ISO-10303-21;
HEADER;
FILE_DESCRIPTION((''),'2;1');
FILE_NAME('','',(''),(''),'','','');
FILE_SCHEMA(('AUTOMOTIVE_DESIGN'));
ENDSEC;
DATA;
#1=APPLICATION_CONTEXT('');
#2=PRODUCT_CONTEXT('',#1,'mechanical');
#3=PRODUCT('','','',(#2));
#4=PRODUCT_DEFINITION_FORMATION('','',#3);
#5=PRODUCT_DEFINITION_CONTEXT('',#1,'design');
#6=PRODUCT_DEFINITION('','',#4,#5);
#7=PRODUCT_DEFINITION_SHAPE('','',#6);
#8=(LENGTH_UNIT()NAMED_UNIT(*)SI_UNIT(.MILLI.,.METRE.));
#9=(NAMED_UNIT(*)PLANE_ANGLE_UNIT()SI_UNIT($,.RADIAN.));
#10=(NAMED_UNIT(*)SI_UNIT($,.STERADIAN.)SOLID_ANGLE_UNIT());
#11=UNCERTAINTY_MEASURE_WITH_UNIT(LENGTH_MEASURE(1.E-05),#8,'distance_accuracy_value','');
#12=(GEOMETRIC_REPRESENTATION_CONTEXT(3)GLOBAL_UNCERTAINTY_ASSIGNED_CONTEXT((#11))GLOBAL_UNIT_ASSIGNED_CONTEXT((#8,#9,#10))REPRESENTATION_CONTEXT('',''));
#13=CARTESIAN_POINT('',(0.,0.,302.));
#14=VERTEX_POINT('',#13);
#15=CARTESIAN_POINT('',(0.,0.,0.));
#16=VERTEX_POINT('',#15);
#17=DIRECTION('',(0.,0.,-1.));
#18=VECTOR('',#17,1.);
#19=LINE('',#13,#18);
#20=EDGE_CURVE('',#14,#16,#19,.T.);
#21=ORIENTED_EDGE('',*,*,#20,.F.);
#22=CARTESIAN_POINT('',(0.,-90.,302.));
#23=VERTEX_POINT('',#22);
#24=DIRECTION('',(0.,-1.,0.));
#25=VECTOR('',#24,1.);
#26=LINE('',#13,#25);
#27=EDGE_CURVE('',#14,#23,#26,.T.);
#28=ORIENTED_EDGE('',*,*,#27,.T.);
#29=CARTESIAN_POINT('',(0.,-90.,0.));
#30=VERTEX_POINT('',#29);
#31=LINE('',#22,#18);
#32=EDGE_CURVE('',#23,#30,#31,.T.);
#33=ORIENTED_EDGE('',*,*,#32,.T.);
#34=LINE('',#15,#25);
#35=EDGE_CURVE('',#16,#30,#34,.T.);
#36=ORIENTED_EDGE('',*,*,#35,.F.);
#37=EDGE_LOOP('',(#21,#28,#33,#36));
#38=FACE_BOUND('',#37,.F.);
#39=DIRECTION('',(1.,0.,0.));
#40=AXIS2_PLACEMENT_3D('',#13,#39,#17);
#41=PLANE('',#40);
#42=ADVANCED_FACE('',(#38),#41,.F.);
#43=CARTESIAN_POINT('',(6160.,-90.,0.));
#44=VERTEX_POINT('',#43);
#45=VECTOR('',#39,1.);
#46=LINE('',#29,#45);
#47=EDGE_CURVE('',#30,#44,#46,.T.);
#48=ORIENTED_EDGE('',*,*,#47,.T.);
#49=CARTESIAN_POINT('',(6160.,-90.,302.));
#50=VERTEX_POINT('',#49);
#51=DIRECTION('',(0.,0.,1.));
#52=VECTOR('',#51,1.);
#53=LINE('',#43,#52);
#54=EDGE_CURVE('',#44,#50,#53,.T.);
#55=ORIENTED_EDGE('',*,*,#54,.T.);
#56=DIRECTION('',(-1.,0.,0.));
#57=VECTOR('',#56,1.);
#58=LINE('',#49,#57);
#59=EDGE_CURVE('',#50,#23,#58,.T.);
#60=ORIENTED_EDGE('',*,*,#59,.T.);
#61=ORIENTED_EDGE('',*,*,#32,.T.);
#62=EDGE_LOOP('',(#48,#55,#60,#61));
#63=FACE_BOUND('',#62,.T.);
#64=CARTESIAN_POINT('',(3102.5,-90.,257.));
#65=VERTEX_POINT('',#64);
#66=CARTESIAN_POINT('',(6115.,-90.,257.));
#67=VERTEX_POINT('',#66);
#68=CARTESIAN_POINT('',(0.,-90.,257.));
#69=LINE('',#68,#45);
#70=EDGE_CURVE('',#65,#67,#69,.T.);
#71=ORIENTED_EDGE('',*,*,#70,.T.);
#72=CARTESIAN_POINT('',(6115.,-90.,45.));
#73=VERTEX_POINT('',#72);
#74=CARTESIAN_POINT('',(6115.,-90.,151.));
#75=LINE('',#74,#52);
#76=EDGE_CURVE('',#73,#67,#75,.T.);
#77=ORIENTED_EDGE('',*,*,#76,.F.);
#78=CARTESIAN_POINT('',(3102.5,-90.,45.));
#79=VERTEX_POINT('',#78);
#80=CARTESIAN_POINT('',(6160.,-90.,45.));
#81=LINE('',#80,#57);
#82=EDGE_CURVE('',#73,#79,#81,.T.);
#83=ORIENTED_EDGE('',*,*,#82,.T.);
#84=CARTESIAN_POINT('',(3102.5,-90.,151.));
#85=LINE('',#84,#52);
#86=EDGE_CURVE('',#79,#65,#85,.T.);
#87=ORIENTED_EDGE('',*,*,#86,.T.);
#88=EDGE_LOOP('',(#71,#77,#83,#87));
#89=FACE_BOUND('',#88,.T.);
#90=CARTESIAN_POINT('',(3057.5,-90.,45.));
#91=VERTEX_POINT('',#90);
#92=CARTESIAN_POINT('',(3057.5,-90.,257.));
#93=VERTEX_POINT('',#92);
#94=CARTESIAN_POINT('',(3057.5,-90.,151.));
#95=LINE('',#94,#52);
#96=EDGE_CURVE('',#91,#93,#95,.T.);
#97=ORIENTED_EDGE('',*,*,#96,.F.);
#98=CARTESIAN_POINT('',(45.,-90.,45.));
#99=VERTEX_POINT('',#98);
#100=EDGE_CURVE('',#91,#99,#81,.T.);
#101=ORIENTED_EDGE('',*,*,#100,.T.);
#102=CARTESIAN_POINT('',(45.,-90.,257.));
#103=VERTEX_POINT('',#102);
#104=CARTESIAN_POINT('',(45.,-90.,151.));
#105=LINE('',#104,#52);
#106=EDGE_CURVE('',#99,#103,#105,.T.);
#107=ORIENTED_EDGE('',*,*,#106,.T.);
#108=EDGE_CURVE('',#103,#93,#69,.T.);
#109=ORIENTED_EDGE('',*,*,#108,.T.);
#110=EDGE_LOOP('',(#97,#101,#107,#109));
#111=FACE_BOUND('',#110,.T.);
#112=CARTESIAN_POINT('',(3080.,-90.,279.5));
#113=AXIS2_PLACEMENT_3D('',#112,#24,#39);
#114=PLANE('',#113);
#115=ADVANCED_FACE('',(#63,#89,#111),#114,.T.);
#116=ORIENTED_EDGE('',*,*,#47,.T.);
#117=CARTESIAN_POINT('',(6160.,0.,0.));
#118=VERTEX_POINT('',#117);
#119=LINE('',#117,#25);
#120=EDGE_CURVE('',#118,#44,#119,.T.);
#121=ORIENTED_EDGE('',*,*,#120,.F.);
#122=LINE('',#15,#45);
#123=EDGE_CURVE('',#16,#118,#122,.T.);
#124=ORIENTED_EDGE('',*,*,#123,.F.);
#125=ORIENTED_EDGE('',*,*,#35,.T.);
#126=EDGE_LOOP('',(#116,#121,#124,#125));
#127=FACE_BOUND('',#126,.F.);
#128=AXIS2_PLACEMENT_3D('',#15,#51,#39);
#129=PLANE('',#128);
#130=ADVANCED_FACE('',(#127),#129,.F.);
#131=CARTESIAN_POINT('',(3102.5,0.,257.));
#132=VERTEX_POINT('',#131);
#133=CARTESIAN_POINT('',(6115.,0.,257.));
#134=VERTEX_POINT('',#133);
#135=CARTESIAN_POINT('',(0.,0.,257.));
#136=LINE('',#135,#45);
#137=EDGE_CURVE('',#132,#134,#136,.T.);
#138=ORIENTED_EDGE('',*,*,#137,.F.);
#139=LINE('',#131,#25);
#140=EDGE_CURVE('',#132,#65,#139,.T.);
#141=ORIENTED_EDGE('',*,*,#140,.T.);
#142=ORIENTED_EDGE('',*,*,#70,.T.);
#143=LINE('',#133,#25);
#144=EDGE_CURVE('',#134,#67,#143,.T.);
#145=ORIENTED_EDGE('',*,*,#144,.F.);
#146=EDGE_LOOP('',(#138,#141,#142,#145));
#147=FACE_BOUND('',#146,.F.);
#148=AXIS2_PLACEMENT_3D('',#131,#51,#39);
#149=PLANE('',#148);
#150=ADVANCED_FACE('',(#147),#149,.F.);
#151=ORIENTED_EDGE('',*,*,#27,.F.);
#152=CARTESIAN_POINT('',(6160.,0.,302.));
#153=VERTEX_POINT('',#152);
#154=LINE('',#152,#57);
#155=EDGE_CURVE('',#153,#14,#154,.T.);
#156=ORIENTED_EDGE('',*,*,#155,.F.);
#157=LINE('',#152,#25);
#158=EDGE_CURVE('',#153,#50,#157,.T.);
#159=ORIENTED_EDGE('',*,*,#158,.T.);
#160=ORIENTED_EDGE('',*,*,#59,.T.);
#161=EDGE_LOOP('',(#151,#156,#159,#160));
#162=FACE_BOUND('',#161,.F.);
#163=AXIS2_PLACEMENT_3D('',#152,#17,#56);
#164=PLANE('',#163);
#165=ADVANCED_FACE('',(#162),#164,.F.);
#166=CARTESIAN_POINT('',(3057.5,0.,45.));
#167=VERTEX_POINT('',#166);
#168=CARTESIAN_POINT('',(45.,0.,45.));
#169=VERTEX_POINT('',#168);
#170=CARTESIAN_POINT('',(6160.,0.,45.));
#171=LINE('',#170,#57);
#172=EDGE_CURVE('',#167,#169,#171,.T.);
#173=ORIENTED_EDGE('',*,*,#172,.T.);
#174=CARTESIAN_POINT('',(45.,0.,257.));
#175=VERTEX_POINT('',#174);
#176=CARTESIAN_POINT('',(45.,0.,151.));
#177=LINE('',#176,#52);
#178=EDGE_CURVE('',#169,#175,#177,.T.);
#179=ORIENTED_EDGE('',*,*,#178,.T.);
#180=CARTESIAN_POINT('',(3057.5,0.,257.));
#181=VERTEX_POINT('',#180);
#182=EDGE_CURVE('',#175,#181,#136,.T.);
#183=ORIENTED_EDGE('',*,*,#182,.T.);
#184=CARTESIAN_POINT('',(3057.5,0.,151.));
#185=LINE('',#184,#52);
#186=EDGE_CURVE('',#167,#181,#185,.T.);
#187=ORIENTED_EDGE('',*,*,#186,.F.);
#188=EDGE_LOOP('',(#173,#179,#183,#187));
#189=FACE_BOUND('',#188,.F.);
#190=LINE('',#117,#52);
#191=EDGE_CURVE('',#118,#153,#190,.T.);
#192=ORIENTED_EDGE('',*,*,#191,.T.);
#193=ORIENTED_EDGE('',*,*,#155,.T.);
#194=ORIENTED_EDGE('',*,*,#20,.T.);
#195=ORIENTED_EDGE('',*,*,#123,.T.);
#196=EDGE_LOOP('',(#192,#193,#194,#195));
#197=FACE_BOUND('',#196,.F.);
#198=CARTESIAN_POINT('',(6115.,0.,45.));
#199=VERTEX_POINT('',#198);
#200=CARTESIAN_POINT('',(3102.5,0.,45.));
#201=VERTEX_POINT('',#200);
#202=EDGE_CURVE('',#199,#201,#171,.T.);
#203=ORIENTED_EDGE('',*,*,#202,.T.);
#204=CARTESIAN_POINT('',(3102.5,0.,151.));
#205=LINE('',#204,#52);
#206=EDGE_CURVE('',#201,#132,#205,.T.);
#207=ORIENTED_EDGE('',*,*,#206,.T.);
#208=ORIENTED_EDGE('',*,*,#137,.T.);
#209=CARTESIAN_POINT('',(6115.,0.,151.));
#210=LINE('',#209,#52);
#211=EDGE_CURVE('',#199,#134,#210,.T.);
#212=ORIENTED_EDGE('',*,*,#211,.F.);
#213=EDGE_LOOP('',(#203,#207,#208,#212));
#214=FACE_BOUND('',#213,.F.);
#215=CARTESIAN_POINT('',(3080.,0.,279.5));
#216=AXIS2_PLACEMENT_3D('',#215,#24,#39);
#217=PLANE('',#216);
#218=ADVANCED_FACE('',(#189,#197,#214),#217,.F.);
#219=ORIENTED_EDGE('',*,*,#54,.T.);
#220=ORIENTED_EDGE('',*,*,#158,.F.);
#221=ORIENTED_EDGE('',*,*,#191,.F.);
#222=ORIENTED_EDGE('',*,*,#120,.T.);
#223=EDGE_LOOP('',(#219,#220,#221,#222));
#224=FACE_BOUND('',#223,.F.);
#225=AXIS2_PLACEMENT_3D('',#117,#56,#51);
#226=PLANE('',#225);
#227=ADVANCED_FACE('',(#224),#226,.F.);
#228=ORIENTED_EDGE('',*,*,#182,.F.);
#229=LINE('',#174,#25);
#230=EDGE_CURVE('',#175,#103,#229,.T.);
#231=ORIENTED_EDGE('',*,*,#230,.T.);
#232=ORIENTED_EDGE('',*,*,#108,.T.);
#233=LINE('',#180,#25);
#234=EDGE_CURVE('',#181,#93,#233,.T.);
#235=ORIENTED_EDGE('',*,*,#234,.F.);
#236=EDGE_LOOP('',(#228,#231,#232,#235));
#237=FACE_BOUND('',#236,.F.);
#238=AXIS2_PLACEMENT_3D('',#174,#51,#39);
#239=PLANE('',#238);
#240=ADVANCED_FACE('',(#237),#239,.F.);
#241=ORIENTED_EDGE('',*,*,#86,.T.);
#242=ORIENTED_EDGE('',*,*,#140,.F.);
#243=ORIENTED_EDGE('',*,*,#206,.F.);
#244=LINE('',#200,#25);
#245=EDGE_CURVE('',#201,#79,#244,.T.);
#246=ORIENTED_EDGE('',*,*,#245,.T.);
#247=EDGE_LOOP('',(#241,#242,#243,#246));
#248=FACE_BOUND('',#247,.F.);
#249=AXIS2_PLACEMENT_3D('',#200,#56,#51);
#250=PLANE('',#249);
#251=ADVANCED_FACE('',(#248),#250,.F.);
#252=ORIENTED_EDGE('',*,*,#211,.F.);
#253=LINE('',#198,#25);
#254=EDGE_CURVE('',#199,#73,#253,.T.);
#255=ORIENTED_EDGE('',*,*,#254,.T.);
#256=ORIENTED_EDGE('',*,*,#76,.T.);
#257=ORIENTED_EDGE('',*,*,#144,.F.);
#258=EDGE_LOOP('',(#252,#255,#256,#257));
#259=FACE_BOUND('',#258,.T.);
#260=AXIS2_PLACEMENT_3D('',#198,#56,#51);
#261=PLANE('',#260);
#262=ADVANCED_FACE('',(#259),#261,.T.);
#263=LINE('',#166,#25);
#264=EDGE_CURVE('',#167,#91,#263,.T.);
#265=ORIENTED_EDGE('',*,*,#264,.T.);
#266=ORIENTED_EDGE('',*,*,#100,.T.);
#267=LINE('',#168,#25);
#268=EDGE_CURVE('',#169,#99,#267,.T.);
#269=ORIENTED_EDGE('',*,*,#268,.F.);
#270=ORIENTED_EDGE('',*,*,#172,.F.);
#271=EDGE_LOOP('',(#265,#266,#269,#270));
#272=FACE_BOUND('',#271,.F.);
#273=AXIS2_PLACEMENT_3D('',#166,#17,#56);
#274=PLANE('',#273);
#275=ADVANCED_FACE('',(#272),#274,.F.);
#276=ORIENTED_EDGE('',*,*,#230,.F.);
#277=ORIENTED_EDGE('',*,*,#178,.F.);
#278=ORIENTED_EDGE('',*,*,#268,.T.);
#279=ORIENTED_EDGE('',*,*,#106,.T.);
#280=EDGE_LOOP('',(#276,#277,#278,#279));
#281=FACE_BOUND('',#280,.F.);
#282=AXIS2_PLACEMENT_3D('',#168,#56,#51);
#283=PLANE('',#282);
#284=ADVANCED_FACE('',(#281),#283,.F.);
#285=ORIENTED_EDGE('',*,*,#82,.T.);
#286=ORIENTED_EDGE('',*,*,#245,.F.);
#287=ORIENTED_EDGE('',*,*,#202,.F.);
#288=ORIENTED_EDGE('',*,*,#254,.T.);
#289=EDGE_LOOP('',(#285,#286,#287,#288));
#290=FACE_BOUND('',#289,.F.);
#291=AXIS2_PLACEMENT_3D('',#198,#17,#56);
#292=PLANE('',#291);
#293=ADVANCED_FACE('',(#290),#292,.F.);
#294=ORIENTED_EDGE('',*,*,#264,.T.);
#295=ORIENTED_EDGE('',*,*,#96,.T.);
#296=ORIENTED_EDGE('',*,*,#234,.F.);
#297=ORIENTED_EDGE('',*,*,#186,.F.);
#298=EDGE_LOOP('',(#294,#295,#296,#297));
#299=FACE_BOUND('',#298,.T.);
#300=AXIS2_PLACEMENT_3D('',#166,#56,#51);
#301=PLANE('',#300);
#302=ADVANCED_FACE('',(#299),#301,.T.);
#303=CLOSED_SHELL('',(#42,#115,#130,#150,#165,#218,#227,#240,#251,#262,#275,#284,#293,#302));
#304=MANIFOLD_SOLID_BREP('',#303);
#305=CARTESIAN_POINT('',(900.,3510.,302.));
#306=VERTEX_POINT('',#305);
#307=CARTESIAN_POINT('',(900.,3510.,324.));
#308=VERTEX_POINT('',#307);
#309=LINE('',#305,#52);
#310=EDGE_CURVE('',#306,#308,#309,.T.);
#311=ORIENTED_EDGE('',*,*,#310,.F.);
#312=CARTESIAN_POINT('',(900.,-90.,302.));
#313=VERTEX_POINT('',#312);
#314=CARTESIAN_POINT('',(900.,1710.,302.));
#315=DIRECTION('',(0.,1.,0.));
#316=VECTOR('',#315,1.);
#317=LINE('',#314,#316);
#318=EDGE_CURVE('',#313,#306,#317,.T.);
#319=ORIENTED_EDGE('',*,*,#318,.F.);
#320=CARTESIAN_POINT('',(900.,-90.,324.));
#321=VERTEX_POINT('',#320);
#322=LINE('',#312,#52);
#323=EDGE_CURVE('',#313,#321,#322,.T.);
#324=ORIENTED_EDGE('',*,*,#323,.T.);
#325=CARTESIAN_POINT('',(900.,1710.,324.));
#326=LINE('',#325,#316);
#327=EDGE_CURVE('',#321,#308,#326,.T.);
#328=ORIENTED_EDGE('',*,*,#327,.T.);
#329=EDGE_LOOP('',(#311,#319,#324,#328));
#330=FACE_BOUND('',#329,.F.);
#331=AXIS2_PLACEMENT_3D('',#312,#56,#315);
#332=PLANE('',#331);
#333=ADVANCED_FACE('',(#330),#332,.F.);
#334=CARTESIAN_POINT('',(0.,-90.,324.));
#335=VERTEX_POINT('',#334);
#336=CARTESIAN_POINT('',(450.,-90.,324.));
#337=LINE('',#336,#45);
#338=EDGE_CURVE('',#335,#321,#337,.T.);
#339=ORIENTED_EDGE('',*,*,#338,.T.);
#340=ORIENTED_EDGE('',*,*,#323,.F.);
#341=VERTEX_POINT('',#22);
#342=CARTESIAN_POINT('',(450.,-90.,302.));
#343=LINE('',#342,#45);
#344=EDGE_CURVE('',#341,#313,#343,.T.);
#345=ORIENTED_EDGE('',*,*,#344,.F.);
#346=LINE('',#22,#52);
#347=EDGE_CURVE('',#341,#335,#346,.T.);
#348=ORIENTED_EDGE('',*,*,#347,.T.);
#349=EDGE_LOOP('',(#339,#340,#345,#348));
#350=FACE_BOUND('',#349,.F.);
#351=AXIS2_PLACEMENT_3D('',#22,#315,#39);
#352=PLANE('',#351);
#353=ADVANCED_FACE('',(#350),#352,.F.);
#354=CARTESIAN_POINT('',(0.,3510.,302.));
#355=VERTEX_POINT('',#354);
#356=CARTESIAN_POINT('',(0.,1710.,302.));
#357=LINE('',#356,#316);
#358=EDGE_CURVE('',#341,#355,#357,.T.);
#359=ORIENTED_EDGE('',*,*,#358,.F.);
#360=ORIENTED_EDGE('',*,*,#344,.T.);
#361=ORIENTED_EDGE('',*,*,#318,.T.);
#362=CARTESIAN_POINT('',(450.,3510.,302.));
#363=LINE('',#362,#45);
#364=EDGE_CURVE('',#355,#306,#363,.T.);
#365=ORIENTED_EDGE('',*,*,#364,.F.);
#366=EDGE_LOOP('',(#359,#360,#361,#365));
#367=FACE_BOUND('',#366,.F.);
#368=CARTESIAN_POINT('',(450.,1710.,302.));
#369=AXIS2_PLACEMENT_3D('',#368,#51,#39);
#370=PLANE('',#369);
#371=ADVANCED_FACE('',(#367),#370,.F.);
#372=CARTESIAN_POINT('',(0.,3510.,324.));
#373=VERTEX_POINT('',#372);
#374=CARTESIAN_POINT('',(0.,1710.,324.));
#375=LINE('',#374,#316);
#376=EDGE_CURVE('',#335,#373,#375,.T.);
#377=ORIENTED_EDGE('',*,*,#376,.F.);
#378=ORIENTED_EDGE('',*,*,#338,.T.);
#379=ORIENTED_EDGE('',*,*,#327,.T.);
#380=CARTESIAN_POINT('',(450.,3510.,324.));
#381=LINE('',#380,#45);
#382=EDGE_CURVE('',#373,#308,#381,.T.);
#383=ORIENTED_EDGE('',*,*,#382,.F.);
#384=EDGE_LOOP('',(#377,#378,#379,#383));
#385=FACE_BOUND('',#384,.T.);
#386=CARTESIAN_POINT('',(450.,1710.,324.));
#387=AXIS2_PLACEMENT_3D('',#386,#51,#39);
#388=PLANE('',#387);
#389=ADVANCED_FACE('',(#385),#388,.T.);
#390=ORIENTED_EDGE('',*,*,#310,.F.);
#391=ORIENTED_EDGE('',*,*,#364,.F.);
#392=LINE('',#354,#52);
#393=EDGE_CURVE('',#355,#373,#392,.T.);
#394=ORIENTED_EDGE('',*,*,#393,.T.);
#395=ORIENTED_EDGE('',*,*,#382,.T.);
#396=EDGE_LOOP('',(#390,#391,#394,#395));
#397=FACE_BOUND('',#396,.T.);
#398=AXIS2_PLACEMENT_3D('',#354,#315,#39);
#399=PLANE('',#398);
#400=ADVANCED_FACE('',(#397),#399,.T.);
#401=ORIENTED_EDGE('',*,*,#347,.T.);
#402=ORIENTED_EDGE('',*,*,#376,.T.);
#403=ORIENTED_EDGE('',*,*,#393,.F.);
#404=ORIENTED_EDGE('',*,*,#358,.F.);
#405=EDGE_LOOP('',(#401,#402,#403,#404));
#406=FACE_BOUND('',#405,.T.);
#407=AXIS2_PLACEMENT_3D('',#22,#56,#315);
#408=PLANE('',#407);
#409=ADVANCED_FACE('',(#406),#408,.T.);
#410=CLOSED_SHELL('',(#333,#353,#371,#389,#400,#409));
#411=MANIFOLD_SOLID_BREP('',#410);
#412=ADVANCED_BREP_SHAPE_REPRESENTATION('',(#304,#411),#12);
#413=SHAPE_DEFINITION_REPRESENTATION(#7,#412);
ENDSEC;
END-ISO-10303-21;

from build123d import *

# Parameters (mm, degrees)
F0_W     = 45
F0_H     = 212
F1_DEPTH = 90
F2_W     = 900
F2_H     = 3600
F3_DEPTH = 22


with BuildPart() as f1:
    # F0 (on Front) → F1 (new body)
    with BuildSketch(Plane.XZ):
        Polygon((0, 302), (0, 257), (45, 257), (3057.5, 257), (3102.5, 257), (6115, 257), (6160, 257), (6160, 302), align=None)
        Polygon((0, 45), (0, 0), (6160, 0), (6160, 45), (6115, 45), (3102.5, 45), (3057.5, 45), (45, 45), align=None)
        with Locations((22.5, 151)):
            Rectangle(F0_W, F0_H)
        with Locations((3080, 151)):
            Rectangle(F0_W, F0_H)
        with Locations((6137.5, 151)):
            Rectangle(F0_W, F0_H)
    extrude(amount=F1_DEPTH)


with BuildPart() as f3:
    # F2 (on face) → F3 (new body)
    with BuildSketch(Plane.XY.offset(302)):
        with Locations((450, 1710)):
            Rectangle(F2_W, F2_H)
    extrude(amount=F3_DEPTH)


solid = Compound([f1.part, f3.part])
